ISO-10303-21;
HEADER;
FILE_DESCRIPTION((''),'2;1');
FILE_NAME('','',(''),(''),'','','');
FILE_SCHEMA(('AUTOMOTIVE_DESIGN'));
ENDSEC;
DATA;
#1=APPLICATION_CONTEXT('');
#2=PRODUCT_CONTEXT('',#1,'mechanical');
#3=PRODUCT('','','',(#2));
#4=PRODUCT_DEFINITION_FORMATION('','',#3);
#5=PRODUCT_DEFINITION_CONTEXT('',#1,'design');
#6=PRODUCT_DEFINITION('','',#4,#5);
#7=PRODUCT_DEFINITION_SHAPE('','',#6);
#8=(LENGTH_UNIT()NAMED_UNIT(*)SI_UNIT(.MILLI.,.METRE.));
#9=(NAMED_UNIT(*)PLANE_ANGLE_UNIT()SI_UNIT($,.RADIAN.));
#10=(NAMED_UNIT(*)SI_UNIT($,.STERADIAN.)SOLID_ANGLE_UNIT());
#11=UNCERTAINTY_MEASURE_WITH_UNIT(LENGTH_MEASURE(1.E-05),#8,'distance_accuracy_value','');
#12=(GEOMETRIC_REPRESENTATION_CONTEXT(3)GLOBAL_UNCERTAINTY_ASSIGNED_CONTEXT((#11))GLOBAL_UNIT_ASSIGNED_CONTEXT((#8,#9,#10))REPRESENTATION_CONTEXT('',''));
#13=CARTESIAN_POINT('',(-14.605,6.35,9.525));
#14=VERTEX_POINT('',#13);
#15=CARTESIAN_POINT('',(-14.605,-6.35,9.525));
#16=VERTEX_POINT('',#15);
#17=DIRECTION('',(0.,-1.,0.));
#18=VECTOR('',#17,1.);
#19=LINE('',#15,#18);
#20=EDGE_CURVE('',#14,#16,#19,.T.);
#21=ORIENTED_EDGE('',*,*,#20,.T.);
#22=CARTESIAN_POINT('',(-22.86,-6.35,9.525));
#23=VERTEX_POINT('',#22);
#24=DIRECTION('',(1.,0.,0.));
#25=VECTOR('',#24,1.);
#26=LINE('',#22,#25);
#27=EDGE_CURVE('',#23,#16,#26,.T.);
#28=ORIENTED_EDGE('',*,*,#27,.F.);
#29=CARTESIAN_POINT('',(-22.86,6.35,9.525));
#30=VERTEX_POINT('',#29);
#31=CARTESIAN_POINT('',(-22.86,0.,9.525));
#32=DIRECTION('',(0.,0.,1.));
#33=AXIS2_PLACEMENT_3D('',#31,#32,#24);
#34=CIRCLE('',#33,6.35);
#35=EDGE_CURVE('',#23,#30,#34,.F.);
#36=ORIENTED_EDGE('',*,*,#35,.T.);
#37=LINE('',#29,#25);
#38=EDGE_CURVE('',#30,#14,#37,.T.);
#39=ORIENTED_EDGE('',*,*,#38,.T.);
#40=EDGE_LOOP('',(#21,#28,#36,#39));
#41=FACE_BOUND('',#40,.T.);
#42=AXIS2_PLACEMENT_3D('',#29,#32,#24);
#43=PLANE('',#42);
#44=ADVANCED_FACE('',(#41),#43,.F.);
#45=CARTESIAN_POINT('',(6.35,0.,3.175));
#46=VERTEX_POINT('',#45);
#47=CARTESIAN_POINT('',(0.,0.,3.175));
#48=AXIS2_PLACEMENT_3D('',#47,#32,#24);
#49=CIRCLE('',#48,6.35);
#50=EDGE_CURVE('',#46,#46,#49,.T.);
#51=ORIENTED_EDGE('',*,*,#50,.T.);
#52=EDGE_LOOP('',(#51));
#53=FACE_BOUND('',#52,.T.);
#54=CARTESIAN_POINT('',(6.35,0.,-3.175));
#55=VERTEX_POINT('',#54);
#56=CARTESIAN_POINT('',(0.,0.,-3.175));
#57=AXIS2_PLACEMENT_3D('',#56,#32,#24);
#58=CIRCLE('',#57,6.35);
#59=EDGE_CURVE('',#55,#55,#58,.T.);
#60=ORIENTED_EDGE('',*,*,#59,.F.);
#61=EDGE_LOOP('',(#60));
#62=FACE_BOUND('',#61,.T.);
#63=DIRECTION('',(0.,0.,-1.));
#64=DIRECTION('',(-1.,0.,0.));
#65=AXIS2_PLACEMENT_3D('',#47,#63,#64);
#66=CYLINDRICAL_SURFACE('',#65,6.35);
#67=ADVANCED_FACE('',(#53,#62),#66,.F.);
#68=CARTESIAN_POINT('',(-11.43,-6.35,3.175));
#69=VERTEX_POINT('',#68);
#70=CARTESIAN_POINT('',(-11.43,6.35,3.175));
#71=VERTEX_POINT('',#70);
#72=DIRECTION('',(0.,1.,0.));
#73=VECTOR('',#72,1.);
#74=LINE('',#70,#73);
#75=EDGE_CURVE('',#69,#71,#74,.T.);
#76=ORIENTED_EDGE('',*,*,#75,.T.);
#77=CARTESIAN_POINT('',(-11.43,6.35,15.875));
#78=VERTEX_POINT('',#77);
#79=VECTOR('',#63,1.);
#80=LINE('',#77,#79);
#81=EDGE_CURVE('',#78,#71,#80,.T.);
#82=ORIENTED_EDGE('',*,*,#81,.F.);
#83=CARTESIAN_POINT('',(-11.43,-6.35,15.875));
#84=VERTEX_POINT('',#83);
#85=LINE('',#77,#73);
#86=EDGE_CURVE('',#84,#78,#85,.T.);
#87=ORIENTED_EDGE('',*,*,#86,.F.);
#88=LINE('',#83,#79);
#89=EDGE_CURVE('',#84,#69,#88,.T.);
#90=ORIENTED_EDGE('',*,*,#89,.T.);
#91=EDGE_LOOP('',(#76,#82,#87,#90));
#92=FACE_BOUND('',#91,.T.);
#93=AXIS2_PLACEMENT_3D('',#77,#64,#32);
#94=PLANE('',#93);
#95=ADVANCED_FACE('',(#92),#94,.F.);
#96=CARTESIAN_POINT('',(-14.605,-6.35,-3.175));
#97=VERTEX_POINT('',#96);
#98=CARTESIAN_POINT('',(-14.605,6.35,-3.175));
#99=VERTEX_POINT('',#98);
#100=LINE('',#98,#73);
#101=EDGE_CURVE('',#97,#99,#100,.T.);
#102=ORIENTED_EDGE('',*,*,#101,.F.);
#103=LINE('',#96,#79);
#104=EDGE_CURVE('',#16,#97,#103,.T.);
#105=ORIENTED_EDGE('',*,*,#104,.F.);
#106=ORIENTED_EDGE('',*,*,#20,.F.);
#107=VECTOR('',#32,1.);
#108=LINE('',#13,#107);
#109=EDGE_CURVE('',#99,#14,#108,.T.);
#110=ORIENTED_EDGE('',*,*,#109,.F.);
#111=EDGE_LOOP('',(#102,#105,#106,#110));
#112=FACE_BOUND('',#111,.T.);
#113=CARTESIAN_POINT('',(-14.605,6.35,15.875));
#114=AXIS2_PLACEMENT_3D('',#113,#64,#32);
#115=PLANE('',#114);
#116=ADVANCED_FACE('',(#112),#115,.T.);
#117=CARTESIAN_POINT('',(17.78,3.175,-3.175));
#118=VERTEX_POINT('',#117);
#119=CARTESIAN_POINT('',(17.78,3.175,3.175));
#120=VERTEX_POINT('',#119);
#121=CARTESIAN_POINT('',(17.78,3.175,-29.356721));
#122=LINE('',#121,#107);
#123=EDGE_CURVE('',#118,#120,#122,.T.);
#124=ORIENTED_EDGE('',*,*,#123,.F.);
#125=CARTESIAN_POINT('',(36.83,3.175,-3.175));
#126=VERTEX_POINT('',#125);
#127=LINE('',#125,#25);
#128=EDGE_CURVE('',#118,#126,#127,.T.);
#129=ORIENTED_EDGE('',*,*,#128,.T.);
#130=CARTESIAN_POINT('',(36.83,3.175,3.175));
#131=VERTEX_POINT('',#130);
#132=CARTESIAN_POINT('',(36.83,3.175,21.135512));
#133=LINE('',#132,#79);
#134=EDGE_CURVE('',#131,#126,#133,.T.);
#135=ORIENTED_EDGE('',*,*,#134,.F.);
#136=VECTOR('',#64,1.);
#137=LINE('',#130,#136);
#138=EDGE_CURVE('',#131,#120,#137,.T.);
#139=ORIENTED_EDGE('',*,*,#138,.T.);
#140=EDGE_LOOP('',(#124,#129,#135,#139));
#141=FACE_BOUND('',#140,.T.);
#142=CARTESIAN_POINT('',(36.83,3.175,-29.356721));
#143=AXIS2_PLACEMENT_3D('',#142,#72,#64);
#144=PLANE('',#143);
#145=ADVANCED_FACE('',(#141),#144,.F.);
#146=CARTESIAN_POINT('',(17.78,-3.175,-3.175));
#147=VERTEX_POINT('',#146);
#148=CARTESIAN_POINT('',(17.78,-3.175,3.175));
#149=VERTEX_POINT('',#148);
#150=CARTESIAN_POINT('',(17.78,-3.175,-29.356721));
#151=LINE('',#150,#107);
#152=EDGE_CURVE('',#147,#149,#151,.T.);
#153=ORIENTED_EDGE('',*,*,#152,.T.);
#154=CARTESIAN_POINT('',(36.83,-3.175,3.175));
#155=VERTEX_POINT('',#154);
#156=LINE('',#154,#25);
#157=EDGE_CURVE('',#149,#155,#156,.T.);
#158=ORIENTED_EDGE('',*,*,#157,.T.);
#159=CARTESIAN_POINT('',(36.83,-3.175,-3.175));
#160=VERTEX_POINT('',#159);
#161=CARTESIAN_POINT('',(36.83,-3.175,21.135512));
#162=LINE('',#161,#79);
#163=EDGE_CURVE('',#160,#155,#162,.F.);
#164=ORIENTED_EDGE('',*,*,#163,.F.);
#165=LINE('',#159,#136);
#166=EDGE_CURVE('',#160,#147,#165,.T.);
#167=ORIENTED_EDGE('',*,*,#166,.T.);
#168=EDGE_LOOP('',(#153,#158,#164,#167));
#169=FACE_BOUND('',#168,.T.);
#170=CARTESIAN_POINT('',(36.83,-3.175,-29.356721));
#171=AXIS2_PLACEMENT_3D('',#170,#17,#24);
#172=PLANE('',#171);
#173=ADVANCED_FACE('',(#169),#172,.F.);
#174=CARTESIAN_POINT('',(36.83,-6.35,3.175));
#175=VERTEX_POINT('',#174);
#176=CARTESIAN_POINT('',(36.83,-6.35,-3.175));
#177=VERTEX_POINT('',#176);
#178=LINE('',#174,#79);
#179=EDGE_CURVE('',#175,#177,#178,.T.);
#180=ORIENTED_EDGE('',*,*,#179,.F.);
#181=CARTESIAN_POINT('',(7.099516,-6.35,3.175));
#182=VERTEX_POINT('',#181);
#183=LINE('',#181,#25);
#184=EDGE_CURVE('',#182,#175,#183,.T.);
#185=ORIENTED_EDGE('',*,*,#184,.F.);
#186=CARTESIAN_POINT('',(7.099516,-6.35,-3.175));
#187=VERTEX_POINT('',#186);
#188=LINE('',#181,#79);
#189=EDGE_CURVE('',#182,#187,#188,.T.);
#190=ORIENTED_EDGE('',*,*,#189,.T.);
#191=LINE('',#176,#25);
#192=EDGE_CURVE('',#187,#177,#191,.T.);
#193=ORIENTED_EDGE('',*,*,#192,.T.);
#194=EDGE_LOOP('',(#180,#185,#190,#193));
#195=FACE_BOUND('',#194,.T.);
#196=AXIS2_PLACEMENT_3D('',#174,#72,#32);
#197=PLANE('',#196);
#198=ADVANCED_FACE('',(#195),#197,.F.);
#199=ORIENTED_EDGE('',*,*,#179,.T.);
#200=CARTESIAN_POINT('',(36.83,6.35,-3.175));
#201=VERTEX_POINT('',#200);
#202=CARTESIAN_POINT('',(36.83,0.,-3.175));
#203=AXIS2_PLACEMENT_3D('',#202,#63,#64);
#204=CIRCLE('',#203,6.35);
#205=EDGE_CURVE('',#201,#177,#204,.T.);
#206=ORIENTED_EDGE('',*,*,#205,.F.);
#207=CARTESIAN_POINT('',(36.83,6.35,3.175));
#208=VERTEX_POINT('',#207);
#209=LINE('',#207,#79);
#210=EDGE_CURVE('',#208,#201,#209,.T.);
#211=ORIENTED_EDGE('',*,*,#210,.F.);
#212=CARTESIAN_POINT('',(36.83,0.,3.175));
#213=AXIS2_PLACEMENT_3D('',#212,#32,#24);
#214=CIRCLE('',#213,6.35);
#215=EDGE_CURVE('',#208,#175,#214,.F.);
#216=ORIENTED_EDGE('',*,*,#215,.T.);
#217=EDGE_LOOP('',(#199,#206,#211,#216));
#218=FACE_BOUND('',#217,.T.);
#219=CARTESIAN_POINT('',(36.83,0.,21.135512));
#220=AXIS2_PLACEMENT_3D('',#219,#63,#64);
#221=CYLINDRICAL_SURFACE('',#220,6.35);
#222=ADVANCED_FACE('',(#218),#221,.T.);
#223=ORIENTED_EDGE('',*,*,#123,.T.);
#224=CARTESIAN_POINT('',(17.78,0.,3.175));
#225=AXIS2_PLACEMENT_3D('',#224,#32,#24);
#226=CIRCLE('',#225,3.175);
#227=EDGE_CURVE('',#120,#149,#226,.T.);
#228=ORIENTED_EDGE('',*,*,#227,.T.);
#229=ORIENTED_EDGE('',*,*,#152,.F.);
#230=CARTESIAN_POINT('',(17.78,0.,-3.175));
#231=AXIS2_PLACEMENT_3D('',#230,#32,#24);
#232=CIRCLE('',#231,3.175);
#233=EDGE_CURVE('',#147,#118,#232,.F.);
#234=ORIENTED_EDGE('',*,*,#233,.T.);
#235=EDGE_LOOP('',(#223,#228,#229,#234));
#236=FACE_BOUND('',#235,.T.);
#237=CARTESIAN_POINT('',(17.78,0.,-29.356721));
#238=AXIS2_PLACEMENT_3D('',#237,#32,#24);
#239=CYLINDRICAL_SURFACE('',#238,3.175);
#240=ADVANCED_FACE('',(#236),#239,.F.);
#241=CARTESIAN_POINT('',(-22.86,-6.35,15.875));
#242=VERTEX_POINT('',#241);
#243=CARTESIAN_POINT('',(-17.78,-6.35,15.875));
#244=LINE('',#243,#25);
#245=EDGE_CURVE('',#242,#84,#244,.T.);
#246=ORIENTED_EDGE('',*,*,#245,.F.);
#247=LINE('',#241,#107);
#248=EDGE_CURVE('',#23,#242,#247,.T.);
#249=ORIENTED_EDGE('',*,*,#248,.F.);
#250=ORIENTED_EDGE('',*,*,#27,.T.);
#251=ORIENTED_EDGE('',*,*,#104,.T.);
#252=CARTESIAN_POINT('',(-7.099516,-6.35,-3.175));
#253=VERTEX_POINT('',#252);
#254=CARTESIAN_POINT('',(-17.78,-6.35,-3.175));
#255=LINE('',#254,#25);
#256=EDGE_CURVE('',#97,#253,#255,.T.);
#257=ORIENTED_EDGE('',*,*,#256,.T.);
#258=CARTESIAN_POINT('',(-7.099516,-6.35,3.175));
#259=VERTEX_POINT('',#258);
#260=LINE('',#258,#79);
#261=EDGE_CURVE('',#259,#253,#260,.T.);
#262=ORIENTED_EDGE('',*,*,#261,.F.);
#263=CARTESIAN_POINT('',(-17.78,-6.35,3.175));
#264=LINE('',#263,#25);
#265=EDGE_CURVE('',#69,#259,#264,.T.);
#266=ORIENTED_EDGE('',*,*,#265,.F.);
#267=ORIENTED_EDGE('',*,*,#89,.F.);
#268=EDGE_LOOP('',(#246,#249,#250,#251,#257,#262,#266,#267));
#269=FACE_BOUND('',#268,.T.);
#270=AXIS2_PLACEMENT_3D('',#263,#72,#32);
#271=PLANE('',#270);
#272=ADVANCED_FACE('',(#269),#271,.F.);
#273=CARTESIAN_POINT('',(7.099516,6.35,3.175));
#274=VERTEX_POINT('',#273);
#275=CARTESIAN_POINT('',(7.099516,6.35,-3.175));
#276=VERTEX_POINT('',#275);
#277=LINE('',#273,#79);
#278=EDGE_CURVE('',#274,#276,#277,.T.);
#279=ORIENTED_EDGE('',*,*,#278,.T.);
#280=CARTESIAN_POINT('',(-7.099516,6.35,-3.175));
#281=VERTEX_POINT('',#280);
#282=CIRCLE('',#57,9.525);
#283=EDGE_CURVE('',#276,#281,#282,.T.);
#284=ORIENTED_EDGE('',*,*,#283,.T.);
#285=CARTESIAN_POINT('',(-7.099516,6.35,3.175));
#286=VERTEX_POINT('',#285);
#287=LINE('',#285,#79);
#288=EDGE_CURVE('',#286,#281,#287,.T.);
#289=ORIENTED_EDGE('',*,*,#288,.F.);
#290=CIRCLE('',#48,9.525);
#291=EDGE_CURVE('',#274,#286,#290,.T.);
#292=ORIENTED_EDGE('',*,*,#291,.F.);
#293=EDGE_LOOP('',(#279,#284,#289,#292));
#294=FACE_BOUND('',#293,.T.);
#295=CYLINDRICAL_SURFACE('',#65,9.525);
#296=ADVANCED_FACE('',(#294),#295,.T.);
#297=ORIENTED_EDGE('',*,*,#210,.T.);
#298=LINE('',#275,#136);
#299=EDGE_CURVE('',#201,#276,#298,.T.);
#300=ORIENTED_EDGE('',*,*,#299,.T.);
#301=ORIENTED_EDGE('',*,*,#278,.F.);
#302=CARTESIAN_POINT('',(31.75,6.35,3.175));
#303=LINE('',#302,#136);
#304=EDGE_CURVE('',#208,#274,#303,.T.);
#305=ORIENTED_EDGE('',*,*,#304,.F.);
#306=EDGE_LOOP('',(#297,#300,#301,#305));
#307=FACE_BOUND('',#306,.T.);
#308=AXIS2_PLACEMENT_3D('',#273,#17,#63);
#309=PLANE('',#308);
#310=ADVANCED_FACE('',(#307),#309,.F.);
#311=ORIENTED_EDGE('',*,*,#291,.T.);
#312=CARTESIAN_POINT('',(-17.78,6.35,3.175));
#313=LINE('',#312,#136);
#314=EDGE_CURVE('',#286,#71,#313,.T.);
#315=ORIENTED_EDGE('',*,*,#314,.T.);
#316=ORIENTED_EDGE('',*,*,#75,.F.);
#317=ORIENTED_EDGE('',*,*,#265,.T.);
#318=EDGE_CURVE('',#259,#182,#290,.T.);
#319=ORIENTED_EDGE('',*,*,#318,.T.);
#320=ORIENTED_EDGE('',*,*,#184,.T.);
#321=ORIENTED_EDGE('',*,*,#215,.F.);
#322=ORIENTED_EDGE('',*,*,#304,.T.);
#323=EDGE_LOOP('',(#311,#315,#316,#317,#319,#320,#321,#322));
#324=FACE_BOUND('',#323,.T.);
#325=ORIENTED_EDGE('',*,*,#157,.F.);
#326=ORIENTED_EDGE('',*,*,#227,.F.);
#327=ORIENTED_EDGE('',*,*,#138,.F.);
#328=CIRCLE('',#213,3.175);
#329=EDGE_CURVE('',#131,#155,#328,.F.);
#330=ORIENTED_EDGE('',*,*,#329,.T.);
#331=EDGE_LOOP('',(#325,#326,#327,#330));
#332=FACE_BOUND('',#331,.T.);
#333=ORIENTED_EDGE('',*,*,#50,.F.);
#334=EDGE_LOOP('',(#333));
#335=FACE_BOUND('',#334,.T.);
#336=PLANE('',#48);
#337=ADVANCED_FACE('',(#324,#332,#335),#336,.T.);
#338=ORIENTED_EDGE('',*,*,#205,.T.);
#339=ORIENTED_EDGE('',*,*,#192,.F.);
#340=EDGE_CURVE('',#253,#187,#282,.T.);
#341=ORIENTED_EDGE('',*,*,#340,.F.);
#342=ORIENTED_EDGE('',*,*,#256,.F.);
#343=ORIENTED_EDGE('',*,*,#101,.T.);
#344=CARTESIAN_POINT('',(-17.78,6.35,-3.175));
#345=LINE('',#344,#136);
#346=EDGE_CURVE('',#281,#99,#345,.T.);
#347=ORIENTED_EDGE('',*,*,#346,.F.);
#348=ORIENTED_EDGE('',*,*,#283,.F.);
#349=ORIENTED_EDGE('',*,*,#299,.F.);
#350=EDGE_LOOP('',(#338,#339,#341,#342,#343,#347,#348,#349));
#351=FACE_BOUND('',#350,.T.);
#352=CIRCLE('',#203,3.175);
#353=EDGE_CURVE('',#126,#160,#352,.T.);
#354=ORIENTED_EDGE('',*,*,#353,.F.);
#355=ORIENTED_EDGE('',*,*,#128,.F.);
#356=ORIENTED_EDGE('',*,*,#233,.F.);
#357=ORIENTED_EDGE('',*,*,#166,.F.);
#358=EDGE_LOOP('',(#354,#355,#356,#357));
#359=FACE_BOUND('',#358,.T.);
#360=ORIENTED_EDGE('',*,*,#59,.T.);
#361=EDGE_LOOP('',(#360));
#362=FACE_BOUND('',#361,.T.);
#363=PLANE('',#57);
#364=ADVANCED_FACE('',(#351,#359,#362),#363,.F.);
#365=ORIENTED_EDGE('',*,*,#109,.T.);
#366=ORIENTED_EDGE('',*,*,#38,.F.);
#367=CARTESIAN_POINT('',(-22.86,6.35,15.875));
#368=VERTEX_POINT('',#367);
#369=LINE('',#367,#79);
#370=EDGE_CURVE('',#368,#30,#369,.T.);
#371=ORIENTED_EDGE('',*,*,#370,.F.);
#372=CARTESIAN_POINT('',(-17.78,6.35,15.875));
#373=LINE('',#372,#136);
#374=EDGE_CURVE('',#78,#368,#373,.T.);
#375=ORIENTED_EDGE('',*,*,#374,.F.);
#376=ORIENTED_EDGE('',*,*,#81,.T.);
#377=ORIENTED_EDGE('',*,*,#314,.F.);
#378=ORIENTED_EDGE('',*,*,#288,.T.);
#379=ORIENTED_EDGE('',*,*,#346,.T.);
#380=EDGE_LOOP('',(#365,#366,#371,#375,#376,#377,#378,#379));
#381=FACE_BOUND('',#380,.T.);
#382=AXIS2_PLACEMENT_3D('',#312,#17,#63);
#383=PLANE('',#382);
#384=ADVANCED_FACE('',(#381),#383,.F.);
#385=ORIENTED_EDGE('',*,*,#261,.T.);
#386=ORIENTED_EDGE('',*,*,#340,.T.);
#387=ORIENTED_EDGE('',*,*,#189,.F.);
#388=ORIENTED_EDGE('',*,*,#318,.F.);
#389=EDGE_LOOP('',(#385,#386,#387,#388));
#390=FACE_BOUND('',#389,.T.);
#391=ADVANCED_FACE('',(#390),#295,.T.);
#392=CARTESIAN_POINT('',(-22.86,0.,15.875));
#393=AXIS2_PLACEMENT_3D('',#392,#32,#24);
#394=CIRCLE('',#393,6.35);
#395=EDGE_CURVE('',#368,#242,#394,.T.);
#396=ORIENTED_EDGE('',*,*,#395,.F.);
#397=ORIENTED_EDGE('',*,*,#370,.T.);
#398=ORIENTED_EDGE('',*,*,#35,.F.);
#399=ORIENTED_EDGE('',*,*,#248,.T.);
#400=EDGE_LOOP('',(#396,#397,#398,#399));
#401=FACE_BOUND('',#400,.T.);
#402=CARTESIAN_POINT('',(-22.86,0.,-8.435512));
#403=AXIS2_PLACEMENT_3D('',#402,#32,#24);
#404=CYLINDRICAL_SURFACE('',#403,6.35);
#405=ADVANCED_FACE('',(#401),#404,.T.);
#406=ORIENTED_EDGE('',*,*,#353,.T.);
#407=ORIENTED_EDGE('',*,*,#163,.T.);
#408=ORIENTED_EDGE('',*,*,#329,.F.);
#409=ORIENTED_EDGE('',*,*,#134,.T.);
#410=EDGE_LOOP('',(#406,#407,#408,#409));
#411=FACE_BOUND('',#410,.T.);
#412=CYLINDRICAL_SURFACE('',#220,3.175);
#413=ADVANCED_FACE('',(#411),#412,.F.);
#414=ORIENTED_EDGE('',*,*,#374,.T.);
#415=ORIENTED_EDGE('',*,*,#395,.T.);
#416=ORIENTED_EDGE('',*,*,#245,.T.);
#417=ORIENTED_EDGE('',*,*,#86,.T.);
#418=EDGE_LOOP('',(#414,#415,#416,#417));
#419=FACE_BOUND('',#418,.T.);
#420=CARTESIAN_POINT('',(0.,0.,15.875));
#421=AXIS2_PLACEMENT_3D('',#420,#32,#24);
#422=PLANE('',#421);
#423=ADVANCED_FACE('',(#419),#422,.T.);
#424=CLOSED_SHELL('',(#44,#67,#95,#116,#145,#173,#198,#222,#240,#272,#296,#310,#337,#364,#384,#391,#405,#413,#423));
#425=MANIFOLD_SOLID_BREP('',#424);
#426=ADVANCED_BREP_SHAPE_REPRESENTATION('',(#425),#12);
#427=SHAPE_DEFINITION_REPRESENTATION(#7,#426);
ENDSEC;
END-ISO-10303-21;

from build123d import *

# Parameters (mm, degrees)
SKETCH1_R           = 6.35
BOSS_EXTRUDE1_DEPTH = 3.175
SKETCH2_R           = 6.35
SKETCH2_R_2         = 3.175
BOSS_EXTRUDE2_DEPTH = 6.35
CUT_EXTRUDE2_DEPTH  = 6.35
SKETCH5_W           = 6.35
SKETCH5_H           = 12.7
BOSS_EXTRUDE3_DEPTH = 12.7
SKETCH6_W           = 6.35
SKETCH6_H           = 12.7
BOSS_EXTRUDE4_DEPTH = 5.08
SKETCH7_R           = 6.35
BOSS_EXTRUDE5_DEPTH = 6.35
SKETCH9_W           = 12.7
SKETCH9_H           = 12.7
CUT_EXTRUDE4_DEPTH  = 3.175


with BuildPart() as part:
    # Sketch1 → Boss-Extrude1 (new body, symmetric)
    with BuildSketch(Plane.XY):
        with BuildLine():
            Line((7.099515829, 6.35), (31.75, 6.35))
            Line((31.75, 6.35), (36.83, 6.35))
            Line((36.83, 6.35), (36.83, -6.35))
            Line((36.83, -6.35), (31.75, -6.35))
            Line((31.75, -6.35), (7.099515829, -6.35))
            ThreePointArc((7.099515829, -6.35), (0, -9.525), (-7.099515829, -6.35))
            Line((-7.099515829, -6.35), (-17.78, -6.35))
            Line((-17.78, -6.35), (-17.78, 6.35))
            Line((-17.78, 6.35), (-7.099515829, 6.35))
            ThreePointArc((-7.099515829, 6.35), (0, 9.525), (7.099515829, 6.35))
        make_face()
        Circle(SKETCH1_R, mode=Mode.SUBTRACT)
    extrude(amount=BOSS_EXTRUDE1_DEPTH, both=True)

    # Sketch2 → Boss-Extrude2 (add)
    with BuildSketch(Plane(origin=(0, 0, -3.175), x_dir=(-1, 0, 0), z_dir=(0, 0, -1))):
        with Locations((-36.83, 0)):
            Circle(SKETCH2_R)
        with Locations((-36.83, 0)):
            Circle(SKETCH2_R_2, mode=Mode.SUBTRACT)
    extrude(amount=-BOSS_EXTRUDE2_DEPTH)

    # Sketch4 → Cut-Extrude2 (cut)
    with BuildSketch(Plane.XY.offset(3.175)):
        with BuildLine():
            Line((36.83, 3.175), (17.78, 3.175))
            ThreePointArc((17.78, 3.175), (14.605, 0), (17.78, -3.175))
            Line((17.78, -3.175), (36.83, -3.175))
            ThreePointArc((36.83, -3.175), (40.005, 0), (36.83, 3.175))
        make_face()
    extrude(amount=-CUT_EXTRUDE2_DEPTH, mode=Mode.SUBTRACT)

    # Sketch5 → Boss-Extrude3 (add)
    with BuildSketch(Plane.XY.offset(3.175)):
        with Locations((-14.605, 0)):
            Rectangle(SKETCH5_W, SKETCH5_H)
    extrude(amount=BOSS_EXTRUDE3_DEPTH)

    # Sketch6 → Boss-Extrude4 (add)
    with BuildSketch(Plane.ZY.offset(17.78)):
        with Locations((12.7, 0)):
            Rectangle(SKETCH6_W, SKETCH6_H)
    extrude(amount=BOSS_EXTRUDE4_DEPTH)

    # Sketch7 → Boss-Extrude5 (add)
    with BuildSketch(Plane.XY.offset(15.875)):
        with Locations((-22.86, 0)):
            Circle(SKETCH7_R)
    extrude(amount=-BOSS_EXTRUDE5_DEPTH)

    # Sketch9 → Cut-Extrude4 (cut)
    with BuildSketch(Plane.ZY.offset(17.78)):
        with Locations((3.175, 0)):
            Rectangle(SKETCH9_W, SKETCH9_H)
    extrude(amount=-CUT_EXTRUDE4_DEPTH, mode=Mode.SUBTRACT)


solid = part.part
